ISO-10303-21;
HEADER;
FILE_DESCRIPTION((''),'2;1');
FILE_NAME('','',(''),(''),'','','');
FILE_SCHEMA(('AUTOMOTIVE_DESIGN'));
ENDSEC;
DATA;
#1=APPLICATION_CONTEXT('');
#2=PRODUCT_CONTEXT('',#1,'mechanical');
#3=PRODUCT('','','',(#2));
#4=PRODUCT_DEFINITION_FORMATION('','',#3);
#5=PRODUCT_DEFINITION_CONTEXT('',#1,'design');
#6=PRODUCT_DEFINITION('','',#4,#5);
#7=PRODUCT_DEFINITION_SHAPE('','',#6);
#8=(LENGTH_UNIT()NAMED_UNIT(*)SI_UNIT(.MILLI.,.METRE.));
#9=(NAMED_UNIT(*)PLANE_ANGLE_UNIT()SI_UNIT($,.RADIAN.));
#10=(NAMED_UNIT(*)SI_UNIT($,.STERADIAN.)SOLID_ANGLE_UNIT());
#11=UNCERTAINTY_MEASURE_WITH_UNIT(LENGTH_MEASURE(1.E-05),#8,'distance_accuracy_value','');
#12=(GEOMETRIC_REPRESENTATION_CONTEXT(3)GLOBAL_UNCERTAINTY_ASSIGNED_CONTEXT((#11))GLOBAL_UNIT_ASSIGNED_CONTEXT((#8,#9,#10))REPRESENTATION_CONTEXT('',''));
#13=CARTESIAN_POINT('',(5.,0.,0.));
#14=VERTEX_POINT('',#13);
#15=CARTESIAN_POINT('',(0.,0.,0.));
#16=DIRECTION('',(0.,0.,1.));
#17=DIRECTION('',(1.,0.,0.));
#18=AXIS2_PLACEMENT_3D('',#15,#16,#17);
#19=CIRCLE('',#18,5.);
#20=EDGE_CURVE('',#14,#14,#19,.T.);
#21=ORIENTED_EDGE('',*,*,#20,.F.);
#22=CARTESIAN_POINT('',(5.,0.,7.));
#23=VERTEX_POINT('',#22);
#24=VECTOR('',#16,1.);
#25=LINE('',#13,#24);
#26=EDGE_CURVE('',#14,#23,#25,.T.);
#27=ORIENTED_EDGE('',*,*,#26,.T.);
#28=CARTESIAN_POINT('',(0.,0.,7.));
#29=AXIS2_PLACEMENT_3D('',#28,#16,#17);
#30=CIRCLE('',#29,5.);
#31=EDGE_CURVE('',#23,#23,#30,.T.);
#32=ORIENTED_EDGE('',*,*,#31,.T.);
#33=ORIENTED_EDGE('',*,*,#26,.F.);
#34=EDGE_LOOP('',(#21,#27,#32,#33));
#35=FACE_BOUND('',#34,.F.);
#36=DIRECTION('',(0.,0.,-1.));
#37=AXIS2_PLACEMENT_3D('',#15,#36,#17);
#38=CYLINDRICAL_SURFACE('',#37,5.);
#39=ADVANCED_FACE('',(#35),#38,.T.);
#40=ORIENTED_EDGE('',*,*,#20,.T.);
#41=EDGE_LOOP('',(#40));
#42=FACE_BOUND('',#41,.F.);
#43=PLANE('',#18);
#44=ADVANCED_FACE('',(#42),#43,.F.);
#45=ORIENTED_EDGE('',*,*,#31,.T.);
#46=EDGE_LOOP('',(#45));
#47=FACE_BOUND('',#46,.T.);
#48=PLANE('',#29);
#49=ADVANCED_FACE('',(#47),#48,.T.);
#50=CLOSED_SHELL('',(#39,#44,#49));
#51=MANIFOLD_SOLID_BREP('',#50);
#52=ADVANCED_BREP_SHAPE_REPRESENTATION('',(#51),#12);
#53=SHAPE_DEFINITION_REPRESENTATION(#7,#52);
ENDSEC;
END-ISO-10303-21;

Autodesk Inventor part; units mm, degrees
ref_plane "YZ Plane" through (0, 0, 0) normal (1, 0, 0) x (0, 1, 0)
ref_plane "XZ Plane" through (0, 0, 0) normal (0, 1, 0) x (-1, 0, 0)
ref_plane "XY Plane" through (0, 0, 0) normal (0, 0, 1) x (1, 0, 0)
sketch "Sketch1" plane through (0, 0, 0) normal (0, 0, 1) x (1, 0, 0)
  circle A0 centre (0, 0) radius 5
  dimension "d0" = 10
extrude "Extrusion1" add sketch "Sketch1" along normal blind 7
properties part number "Trans" material "Aluminum 3105-H12"
